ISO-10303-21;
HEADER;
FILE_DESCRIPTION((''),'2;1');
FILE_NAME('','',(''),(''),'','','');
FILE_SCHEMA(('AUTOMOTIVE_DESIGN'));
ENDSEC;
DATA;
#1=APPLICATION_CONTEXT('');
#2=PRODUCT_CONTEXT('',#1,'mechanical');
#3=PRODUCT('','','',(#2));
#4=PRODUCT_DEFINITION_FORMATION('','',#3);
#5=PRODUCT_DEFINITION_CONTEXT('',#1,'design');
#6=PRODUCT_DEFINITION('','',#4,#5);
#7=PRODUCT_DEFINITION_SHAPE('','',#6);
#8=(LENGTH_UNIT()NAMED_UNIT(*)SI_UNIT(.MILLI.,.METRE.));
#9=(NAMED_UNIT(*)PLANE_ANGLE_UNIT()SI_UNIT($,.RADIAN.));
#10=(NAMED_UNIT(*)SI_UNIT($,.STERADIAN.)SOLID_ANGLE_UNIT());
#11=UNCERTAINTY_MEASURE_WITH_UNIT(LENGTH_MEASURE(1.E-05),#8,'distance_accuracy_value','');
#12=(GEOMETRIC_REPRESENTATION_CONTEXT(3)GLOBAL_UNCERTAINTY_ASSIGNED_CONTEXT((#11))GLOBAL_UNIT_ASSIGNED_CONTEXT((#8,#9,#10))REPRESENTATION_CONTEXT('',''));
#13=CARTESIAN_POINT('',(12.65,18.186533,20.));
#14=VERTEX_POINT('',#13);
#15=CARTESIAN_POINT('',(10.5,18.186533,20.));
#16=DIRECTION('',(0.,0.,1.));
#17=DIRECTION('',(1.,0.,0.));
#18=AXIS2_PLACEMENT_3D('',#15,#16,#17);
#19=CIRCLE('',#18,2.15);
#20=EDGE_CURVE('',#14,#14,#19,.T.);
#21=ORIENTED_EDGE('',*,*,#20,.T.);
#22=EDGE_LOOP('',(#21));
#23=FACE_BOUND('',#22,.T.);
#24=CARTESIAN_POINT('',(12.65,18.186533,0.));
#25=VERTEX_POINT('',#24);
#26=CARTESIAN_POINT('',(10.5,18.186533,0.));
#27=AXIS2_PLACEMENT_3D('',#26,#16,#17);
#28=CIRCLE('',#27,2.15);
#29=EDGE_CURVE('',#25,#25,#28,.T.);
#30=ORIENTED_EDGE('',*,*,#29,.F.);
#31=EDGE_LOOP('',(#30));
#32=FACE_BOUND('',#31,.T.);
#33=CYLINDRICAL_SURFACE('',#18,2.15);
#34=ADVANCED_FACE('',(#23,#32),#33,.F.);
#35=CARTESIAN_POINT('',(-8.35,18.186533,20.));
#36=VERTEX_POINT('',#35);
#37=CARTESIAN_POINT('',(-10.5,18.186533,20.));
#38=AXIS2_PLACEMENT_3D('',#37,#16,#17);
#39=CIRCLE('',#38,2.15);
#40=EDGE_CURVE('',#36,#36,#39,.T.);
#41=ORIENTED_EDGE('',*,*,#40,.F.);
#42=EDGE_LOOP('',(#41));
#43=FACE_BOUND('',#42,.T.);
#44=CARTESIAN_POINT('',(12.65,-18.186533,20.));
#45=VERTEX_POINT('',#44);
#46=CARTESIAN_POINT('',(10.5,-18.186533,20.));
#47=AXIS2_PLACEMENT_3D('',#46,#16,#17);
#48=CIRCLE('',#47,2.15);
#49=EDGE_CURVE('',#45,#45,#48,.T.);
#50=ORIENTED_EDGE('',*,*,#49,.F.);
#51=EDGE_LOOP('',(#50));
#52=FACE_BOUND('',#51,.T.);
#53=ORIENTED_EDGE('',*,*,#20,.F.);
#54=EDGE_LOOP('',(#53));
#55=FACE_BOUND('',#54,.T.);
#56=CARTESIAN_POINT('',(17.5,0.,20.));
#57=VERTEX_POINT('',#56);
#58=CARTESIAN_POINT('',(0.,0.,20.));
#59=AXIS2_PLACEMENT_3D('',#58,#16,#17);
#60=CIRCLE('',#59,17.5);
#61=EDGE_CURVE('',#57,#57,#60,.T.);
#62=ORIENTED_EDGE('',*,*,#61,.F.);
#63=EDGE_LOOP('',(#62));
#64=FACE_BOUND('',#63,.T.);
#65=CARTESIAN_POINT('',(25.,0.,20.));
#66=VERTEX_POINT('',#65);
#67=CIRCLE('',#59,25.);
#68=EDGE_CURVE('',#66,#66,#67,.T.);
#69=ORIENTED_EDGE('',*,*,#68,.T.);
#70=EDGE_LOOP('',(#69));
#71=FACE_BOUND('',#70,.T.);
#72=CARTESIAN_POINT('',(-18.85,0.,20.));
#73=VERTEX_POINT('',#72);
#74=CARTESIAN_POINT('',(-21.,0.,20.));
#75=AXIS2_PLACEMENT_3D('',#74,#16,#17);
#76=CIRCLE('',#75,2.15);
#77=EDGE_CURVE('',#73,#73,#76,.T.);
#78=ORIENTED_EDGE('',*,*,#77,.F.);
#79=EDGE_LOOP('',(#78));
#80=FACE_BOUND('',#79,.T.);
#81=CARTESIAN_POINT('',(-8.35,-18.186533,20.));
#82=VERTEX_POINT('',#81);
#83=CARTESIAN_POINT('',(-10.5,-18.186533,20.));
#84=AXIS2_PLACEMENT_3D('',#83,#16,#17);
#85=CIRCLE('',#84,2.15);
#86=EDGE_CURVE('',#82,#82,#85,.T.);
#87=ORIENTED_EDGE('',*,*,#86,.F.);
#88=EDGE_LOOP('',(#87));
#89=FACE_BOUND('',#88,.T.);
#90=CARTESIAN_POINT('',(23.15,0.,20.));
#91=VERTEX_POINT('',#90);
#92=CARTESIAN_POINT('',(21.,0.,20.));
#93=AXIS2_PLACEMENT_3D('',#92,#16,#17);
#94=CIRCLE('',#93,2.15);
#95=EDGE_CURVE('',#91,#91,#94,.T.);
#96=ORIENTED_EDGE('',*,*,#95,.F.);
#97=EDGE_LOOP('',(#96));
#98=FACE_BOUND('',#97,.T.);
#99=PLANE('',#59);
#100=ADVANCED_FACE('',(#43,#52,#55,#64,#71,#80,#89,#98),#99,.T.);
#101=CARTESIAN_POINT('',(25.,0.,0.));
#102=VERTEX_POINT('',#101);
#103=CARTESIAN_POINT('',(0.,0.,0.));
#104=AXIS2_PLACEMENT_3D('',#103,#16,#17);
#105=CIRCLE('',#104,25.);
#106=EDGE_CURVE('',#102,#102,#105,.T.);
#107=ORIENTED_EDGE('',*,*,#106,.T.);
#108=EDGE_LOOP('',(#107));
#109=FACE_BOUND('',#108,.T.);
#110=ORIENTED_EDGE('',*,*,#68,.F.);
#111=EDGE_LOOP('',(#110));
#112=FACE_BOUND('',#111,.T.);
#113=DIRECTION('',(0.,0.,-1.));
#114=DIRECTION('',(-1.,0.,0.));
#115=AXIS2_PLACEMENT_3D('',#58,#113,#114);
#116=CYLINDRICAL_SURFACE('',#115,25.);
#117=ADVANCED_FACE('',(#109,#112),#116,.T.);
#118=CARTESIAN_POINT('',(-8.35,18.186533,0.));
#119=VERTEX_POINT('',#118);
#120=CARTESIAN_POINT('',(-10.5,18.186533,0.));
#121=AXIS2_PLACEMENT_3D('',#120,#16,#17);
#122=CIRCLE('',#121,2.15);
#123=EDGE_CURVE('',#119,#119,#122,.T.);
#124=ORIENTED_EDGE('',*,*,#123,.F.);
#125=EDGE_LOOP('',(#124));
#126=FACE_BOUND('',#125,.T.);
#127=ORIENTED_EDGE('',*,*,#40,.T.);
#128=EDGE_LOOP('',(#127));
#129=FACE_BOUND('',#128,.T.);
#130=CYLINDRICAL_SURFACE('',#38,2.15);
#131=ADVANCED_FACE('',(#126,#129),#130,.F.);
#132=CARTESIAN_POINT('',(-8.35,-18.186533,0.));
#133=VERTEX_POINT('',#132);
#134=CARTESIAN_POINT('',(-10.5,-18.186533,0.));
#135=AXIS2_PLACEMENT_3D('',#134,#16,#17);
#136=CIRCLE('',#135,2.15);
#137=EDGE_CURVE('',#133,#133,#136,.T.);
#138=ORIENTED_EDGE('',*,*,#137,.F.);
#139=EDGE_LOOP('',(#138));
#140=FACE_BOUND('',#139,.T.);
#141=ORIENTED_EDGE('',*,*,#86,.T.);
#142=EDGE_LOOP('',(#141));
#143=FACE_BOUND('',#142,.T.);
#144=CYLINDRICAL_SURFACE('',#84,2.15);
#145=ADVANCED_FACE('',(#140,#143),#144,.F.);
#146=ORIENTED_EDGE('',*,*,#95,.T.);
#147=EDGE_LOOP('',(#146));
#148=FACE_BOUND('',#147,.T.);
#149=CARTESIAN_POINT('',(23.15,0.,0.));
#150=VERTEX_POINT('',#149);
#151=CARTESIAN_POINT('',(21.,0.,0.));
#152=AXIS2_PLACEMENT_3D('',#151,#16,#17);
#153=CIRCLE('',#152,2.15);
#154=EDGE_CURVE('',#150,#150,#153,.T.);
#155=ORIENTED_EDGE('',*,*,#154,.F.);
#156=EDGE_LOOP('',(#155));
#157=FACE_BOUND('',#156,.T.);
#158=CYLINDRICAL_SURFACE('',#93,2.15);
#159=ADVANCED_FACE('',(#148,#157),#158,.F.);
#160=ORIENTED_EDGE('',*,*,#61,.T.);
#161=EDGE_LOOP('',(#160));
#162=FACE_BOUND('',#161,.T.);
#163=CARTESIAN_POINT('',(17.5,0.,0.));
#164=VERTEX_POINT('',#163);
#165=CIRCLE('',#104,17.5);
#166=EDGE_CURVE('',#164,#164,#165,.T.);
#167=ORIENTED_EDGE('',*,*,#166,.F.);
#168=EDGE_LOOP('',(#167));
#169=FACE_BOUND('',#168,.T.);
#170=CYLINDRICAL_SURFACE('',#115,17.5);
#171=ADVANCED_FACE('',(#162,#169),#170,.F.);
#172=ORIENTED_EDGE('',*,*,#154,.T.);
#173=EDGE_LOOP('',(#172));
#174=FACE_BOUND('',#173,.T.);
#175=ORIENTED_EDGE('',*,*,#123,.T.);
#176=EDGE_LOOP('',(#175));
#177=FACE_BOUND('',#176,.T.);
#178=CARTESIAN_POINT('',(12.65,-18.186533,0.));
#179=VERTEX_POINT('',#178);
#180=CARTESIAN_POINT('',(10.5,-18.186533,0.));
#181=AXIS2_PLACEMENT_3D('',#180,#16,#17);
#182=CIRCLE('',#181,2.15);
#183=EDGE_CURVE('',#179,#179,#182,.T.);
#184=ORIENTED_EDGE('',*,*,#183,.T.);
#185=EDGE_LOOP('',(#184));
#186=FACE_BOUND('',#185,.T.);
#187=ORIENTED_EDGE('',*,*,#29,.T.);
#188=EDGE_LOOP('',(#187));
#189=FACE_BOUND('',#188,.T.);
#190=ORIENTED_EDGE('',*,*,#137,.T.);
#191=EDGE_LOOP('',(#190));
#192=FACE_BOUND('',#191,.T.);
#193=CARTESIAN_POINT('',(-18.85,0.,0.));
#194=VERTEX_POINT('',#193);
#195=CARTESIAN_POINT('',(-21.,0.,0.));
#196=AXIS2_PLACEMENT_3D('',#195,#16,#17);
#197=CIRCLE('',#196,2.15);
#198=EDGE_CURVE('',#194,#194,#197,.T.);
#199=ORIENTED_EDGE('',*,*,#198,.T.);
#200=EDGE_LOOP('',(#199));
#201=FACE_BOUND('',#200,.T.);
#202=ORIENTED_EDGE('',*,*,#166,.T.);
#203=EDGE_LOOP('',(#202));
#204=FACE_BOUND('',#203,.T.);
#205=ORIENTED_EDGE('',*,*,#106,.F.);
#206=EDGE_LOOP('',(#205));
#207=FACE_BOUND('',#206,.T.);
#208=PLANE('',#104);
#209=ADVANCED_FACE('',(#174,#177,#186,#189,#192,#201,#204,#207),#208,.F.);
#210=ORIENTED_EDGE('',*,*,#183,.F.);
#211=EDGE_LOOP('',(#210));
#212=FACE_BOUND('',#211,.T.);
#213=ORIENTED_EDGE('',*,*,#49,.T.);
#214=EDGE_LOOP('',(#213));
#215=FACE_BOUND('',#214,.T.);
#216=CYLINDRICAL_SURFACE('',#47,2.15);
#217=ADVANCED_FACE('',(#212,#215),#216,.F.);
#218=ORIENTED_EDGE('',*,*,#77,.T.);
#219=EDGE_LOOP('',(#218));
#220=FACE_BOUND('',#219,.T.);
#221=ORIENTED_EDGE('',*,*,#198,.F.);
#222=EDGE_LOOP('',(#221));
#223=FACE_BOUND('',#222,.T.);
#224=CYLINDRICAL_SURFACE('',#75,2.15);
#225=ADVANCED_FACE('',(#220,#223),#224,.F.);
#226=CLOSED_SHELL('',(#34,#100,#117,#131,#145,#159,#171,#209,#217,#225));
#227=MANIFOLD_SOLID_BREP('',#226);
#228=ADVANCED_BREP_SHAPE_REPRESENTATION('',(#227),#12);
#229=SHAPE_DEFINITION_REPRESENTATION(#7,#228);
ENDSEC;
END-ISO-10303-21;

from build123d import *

# Parameters (mm, degrees)
CROQUIS1_R                   = 25
CROQUIS1_R_2                 = 17.5
SALIENTE_EXTRUIR1_DEPTH      = 20
TALADRO_DE_MARGEN_PARA_M41_D = 4.3


with BuildPart() as part:
    # Croquis1 → Saliente-Extruir1 (new body)
    with BuildSketch(Plane.XY):
        Circle(CROQUIS1_R)
        Circle(CROQUIS1_R_2, mode=Mode.SUBTRACT)
    extrude(amount=SALIENTE_EXTRUIR1_DEPTH)

    # Taladro de margen para M41 (through all)
    with Locations(Plane.XY.offset(20)):
        with Locations((21, 0), (10.5, -18.186533479), (-10.5, -18.186533479), (-21, 0), (-10.5, 18.186533479), (10.5, 18.186533479)):
            Hole(TALADRO_DE_MARGEN_PARA_M41_D / 2)


solid = part.part
